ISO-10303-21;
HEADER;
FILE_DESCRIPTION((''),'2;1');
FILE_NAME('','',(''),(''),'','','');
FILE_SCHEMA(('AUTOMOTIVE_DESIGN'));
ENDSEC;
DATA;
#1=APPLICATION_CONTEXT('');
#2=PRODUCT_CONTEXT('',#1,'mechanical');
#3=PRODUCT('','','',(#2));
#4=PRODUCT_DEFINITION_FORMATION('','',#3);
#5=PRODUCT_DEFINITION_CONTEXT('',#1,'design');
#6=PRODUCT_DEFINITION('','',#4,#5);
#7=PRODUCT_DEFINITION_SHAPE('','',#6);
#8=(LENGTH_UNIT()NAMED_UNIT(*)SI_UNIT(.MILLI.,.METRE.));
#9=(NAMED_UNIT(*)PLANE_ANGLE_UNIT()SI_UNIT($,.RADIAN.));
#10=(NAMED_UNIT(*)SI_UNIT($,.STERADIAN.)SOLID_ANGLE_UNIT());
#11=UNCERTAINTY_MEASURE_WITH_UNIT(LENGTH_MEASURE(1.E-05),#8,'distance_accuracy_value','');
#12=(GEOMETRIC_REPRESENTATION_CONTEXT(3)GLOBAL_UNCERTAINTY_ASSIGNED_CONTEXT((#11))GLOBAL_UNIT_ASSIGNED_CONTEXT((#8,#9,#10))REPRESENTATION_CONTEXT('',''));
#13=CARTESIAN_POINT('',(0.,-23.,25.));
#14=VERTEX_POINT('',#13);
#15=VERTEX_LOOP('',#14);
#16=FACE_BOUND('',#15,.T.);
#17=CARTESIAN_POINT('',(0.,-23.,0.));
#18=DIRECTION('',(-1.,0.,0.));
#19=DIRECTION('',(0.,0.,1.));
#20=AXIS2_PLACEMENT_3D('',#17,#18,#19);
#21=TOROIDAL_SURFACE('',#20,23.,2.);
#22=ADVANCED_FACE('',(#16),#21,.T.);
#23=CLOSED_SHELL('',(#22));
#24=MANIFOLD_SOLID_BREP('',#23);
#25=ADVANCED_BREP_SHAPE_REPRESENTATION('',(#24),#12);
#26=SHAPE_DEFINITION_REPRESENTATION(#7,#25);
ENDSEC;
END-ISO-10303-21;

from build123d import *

# Parameters (mm, degrees)
ESQUISSE1_R = 2


with BuildPart() as part:
    # Esquisse1 → Révolution1 (revolve)
    with BuildSketch(Plane.XY, mode=Mode.PRIVATE) as r_volution1_sk:
        Circle(ESQUISSE1_R)
    revolve(r_volution1_sk.sketch.rotate(Axis((-4.852026709, -23, 0), (1, 0, 0)), 90), axis=Axis((-4.852026709, -23, 0), (1, 0, 0)))


solid = part.part
